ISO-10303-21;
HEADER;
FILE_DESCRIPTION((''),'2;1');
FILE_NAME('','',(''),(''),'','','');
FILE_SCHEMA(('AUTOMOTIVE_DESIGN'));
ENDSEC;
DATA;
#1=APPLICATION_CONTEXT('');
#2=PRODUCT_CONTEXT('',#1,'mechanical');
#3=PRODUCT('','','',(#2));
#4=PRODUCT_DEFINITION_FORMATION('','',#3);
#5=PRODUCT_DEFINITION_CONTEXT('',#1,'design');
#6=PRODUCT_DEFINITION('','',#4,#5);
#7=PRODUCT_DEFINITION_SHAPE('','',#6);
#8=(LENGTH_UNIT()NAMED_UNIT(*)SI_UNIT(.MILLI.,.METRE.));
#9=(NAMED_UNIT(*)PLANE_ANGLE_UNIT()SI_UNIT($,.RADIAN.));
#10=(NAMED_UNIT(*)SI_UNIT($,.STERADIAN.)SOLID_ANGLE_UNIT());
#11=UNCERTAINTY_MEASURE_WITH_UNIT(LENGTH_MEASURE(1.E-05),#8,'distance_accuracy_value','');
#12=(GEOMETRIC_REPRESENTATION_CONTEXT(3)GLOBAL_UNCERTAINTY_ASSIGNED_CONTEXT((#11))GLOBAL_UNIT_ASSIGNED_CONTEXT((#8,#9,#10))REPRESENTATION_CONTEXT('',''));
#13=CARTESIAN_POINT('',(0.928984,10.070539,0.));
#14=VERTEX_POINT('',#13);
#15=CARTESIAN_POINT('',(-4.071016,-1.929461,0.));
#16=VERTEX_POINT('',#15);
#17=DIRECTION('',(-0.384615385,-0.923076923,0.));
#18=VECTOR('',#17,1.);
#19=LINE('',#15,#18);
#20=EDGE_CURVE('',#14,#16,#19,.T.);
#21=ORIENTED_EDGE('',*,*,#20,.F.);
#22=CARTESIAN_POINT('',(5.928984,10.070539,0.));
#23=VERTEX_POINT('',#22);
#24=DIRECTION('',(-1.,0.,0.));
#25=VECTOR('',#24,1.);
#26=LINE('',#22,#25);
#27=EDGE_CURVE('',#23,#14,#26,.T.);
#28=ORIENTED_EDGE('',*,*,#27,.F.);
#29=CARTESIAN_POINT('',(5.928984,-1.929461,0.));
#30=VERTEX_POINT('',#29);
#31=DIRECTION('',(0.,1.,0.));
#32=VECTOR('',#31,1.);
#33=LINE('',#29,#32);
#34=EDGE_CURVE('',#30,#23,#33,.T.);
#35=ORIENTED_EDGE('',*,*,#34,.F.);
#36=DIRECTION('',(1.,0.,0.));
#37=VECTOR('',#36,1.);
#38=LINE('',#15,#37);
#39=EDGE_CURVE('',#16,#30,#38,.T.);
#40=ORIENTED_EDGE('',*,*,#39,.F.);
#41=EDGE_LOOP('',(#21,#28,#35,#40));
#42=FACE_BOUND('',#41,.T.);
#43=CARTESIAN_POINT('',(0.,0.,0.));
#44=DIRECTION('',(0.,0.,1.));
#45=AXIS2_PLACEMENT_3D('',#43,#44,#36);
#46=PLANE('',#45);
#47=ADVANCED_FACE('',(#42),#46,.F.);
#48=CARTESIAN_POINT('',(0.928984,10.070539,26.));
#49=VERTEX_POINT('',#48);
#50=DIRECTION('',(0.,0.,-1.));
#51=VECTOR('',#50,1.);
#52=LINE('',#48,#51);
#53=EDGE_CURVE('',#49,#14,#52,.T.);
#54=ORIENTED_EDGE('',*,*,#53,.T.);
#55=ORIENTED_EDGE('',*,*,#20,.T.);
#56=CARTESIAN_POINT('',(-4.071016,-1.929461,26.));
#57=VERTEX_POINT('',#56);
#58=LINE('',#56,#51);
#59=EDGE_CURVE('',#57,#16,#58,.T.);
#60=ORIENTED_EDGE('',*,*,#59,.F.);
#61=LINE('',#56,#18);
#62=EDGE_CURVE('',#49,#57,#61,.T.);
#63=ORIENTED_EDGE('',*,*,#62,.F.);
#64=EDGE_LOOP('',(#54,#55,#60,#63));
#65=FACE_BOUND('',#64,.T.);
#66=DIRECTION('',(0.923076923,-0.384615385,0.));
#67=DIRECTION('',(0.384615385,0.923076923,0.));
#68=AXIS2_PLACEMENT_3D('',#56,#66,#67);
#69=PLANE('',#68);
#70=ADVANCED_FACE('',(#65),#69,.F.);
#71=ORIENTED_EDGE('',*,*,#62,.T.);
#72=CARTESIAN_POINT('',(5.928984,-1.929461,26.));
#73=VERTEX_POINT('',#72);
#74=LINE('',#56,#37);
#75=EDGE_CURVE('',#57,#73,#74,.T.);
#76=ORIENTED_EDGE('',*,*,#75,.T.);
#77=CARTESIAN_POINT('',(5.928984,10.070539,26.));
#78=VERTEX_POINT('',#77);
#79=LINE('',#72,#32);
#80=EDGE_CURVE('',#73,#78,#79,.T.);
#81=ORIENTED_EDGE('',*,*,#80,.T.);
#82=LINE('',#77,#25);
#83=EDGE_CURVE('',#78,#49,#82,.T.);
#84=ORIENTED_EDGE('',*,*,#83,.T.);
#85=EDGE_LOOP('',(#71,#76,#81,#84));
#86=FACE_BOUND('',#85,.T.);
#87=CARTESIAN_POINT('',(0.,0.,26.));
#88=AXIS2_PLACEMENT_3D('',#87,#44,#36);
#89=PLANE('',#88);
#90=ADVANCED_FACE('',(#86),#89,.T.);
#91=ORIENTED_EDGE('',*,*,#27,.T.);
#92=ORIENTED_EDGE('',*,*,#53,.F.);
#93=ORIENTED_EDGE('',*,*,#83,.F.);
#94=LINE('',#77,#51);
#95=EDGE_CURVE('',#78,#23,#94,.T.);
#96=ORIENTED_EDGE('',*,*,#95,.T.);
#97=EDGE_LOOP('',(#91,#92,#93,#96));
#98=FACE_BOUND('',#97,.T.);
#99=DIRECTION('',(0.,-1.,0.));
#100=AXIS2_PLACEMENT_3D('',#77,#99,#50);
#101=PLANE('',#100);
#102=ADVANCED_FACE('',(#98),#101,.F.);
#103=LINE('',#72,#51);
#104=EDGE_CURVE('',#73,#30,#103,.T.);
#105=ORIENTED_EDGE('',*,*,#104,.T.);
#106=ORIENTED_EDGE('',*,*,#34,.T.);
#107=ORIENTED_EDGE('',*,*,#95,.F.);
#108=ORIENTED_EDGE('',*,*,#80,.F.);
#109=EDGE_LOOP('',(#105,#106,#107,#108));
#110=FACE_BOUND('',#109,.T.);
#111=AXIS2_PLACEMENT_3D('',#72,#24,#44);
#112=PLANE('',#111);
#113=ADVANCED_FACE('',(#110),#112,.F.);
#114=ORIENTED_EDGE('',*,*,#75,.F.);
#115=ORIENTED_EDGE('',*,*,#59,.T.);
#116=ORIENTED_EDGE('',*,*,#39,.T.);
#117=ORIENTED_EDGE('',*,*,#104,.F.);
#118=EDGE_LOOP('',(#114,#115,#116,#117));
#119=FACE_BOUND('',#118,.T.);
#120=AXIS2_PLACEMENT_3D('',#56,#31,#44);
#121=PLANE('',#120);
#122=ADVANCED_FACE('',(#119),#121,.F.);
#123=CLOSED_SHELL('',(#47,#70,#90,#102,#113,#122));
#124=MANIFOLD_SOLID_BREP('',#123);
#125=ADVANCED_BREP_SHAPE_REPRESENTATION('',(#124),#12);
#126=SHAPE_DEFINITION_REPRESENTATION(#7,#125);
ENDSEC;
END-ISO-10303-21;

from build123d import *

# Parameters (mm, degrees)
BOSS_EXTRUDE1_DEPTH = 26


with BuildPart() as part:
    # Sketch1 → Boss-Extrude1 (new body)
    with BuildSketch(Plane.XY):
        Polygon((-4.071016037, -1.929460581), (5.928983963, -1.929460581), (5.928983963, 10.070539419), (0.928983963, 10.070539419), align=None)
    extrude(amount=BOSS_EXTRUDE1_DEPTH)


solid = part.part
